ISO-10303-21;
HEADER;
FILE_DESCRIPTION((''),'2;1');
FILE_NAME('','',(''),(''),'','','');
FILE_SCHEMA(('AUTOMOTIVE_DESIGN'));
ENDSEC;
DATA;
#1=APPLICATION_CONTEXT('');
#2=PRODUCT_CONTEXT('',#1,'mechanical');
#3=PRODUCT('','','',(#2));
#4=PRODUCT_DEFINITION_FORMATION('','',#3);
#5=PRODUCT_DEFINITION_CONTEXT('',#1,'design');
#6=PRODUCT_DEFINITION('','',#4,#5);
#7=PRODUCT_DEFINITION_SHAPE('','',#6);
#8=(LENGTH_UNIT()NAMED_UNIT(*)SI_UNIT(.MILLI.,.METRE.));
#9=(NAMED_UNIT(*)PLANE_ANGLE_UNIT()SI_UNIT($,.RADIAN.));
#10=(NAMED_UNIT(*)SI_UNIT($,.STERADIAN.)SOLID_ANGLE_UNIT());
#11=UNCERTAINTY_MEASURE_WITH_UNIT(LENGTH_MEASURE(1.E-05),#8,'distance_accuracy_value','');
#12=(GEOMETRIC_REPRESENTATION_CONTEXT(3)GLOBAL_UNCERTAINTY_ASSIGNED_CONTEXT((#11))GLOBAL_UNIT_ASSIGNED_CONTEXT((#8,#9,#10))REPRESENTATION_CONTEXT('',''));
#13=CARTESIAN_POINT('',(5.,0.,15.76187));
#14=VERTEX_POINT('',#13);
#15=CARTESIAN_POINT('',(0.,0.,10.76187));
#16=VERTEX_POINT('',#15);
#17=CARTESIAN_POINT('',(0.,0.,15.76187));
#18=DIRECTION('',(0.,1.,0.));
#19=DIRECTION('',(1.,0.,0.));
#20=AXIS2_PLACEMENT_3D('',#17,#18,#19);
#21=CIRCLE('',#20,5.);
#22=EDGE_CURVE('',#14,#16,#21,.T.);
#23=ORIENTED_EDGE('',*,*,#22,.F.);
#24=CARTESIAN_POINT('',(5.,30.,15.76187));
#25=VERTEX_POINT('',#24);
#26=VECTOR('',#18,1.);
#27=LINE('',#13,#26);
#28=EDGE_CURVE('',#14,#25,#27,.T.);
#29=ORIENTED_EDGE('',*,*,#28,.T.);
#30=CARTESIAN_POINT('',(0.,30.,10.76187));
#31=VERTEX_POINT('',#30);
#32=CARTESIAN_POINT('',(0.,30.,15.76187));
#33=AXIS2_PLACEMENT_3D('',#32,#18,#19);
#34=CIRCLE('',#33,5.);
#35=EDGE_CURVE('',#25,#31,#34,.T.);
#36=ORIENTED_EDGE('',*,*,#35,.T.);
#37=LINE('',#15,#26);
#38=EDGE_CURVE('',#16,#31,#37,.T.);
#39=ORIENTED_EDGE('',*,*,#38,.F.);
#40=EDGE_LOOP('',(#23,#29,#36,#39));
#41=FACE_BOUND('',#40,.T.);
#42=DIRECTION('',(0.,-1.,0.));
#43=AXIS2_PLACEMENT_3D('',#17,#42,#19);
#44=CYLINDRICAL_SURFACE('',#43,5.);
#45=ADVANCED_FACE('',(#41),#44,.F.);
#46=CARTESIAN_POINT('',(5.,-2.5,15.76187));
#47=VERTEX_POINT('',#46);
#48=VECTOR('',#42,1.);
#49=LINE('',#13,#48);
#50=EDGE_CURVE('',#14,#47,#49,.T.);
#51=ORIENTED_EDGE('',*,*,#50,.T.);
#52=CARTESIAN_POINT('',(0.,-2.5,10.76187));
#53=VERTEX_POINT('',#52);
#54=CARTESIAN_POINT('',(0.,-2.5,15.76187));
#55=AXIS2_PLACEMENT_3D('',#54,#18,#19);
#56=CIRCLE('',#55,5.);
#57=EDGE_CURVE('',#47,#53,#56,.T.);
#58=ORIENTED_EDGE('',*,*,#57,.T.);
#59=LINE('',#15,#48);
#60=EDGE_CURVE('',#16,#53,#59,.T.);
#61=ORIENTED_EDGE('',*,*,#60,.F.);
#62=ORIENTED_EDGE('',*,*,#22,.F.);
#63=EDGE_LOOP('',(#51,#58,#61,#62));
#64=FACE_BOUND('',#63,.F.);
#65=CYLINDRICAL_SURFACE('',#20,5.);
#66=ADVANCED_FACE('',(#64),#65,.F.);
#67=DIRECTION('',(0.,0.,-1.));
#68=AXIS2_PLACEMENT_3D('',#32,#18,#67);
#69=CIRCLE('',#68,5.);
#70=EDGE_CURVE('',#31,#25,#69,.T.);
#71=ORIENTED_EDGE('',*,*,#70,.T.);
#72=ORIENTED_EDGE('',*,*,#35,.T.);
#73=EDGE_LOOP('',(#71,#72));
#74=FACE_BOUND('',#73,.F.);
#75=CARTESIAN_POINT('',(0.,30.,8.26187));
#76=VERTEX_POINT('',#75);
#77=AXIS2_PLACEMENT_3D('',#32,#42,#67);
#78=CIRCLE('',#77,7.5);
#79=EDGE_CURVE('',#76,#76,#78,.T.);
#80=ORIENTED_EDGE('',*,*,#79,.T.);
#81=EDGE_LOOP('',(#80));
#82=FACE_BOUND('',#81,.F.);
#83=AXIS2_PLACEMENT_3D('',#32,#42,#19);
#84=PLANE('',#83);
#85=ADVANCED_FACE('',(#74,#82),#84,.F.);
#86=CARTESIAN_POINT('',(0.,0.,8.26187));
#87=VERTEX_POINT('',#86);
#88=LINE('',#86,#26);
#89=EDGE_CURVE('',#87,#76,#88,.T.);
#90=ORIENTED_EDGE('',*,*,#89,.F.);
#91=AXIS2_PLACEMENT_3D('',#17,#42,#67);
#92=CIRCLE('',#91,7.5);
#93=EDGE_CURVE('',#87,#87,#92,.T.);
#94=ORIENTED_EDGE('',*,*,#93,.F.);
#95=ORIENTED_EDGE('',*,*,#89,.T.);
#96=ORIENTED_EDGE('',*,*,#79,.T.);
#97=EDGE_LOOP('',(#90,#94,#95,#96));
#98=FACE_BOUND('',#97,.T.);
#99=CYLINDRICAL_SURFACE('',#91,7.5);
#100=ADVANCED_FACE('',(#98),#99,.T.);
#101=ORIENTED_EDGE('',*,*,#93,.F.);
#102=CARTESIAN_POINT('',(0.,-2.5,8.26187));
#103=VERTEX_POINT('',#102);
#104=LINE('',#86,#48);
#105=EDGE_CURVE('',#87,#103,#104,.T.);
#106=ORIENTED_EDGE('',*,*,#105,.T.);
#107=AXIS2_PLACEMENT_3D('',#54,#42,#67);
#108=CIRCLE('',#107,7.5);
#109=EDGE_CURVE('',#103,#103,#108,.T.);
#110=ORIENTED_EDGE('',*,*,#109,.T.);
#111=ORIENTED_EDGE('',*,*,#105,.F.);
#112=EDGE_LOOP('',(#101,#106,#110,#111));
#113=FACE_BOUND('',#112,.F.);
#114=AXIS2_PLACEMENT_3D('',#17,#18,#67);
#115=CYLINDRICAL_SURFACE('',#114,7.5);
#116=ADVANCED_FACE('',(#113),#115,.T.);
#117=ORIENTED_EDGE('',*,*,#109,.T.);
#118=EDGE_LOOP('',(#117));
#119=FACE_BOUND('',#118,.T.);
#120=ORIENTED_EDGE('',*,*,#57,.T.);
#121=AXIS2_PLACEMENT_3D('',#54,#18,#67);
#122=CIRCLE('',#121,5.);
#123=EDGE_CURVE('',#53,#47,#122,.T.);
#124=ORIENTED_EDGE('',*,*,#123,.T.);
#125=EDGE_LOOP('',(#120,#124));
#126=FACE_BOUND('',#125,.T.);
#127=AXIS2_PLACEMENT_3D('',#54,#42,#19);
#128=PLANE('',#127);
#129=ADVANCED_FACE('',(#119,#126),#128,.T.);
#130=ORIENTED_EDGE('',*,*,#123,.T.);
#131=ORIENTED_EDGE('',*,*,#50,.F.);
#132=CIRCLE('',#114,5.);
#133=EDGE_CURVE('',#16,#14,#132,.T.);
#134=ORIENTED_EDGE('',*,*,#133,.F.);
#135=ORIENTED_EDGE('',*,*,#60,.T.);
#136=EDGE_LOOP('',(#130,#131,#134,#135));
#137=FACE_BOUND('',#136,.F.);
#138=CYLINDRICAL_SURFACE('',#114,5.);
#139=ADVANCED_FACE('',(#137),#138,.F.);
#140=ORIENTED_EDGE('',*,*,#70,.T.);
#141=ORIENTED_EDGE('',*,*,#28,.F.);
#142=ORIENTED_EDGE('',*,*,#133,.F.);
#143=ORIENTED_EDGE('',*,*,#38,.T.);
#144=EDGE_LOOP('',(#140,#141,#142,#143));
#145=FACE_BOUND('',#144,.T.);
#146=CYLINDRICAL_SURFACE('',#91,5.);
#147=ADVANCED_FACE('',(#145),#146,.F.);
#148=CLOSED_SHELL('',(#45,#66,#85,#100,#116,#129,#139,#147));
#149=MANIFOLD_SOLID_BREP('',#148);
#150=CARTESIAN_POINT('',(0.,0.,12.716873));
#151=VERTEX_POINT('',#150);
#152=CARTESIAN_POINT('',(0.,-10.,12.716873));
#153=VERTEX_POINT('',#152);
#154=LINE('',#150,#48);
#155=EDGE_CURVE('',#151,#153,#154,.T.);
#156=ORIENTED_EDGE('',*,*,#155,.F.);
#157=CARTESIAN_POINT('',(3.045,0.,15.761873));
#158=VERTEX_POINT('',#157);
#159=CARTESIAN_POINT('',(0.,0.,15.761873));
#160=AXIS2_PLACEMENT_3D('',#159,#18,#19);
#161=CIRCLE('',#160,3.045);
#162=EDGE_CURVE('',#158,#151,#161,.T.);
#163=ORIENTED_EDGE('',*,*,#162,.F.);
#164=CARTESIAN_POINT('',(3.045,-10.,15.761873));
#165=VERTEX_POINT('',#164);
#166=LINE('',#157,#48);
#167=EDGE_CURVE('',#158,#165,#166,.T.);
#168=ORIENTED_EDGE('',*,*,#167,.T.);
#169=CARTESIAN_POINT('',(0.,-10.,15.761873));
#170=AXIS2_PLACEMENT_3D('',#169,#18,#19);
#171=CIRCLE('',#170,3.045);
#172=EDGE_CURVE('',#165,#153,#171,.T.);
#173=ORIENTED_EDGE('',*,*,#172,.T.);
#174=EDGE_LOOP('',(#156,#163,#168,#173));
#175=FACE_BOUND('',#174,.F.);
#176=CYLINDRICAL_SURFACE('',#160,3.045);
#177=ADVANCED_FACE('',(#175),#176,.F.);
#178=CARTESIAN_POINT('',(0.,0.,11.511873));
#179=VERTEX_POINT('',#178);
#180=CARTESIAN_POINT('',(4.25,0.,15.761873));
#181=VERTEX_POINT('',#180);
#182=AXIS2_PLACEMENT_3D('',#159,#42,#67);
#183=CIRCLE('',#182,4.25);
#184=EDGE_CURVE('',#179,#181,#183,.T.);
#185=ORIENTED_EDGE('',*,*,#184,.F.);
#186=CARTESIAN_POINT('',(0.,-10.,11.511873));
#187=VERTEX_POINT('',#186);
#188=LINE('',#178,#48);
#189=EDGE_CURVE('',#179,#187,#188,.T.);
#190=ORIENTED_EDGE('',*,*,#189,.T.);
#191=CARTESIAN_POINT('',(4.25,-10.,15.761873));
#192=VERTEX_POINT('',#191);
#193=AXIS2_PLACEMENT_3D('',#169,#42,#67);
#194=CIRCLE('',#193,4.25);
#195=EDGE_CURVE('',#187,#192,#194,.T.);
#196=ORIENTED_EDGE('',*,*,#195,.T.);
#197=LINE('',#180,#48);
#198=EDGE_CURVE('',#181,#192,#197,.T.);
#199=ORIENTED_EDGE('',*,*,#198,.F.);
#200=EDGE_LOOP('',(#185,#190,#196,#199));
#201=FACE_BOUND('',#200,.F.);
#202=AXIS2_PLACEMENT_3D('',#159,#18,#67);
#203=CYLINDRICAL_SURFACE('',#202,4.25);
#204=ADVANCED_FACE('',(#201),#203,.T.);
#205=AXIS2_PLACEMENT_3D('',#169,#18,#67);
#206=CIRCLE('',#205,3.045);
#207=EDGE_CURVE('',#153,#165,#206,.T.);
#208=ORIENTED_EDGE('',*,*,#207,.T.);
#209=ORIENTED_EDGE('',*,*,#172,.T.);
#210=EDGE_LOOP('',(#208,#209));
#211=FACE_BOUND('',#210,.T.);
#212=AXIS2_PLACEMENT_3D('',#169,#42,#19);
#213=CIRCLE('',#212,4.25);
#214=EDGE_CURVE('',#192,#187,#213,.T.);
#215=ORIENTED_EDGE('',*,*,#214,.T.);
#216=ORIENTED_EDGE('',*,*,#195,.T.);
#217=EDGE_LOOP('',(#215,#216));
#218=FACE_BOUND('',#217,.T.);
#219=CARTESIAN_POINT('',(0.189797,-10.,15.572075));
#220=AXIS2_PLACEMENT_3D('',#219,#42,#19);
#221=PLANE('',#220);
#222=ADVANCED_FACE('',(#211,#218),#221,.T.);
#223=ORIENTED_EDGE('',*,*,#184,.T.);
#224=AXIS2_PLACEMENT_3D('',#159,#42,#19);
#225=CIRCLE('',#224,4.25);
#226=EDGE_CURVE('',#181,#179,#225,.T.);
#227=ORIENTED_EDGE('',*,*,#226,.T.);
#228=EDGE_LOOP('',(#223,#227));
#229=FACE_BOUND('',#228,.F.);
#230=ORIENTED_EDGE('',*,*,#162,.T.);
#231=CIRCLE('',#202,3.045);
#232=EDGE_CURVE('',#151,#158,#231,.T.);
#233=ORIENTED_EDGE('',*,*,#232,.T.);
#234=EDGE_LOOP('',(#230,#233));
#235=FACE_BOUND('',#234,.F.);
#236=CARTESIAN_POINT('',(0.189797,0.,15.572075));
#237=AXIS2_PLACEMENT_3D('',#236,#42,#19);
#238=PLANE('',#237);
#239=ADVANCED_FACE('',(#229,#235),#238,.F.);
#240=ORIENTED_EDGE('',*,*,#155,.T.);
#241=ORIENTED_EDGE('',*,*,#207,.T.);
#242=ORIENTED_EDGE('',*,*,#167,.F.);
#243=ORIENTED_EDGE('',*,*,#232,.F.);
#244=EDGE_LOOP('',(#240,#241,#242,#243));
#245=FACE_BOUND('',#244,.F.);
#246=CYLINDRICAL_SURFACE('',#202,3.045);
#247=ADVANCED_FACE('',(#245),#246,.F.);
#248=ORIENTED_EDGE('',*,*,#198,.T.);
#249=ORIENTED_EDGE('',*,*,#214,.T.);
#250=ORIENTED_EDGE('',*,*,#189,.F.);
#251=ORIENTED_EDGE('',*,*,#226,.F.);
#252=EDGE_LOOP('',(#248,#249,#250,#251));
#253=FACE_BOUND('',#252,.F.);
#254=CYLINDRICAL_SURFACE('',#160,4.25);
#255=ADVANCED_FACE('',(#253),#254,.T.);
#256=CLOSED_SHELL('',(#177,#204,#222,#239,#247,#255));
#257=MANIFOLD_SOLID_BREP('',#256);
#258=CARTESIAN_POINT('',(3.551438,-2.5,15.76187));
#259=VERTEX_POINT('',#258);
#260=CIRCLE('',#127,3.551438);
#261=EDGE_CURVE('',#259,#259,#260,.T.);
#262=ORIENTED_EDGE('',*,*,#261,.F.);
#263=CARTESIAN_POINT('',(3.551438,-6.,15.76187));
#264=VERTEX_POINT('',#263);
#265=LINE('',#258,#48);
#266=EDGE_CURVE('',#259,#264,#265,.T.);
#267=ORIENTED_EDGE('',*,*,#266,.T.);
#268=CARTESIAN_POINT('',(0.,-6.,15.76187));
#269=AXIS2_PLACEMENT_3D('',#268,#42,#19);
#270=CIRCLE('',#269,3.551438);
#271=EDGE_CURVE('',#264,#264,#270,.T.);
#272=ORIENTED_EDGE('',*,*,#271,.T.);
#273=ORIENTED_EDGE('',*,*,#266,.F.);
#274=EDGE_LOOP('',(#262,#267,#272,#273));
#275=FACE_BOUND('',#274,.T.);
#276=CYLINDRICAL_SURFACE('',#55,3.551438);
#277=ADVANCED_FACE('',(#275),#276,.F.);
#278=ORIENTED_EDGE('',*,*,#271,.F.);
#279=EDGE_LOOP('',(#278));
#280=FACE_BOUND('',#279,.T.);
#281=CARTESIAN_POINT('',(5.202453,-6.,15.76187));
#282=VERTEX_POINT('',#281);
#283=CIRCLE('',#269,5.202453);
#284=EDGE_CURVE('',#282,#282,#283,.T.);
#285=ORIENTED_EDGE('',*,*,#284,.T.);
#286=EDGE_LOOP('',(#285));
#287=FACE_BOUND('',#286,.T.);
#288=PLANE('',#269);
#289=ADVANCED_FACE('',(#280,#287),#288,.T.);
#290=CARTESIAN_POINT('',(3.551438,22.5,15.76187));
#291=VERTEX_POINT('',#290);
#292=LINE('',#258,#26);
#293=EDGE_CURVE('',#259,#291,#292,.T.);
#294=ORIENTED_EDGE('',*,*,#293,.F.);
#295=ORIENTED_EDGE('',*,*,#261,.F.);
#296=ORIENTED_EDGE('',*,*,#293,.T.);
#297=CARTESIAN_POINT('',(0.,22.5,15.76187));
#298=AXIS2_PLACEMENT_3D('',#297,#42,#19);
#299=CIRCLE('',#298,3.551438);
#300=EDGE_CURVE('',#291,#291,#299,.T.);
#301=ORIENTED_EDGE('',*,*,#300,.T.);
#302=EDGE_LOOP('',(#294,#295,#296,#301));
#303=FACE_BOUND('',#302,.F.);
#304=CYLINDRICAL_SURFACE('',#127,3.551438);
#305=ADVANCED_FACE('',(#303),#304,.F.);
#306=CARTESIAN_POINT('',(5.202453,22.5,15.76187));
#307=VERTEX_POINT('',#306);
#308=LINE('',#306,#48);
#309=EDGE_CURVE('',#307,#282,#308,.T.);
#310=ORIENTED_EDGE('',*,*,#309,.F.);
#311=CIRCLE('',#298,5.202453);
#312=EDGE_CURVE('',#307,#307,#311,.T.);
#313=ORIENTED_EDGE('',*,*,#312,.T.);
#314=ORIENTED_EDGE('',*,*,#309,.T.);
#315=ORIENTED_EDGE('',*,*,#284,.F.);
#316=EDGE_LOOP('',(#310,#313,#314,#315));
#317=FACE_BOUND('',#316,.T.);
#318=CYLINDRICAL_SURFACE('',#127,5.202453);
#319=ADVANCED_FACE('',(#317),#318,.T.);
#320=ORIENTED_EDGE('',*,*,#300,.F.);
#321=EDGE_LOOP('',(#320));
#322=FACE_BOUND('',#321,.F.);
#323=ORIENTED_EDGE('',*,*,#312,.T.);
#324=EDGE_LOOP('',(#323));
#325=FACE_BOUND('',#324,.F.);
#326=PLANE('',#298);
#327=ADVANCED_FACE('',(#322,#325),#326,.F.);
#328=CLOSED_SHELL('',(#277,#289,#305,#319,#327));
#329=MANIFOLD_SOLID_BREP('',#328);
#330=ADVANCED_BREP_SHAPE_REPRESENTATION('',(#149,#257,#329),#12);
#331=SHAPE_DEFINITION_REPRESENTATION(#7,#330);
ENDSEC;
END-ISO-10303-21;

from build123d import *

# Parameters (mm, degrees)
F1_DEPTH      = 10
F3_DEPTH      = 30
F3_DEPTH_BACK = 2.5
F4_R          = 5.2024526328
F4_R_2        = 3.55143811
F5_DEPTH      = 3.5
F5_DEPTH_BACK = 25


with BuildPart() as f1:
    # F0 (on Front) → F1 (new body)
    with BuildSketch(Plane.XZ):
        with BuildLine():
            ThreePointArc((4.25, 15.7618727535), (-3.00520382, 18.7670765735), (0, 11.5118727535))
            ThreePointArc((0, 11.5118727535), (3.00520382, 12.7566689335), (4.25, 15.7618727535))
        make_face()
        with BuildLine():
            ThreePointArc((0, 12.7168727535), (-2.1531401487, 17.9150129022), (3.045, 15.7618727535))
            ThreePointArc((3.045, 15.7618727535), (2.1531401487, 13.6087326048), (0, 12.7168727535))
        make_face(mode=Mode.SUBTRACT)
    extrude(amount=F1_DEPTH)


with BuildPart() as f3:
    # F2 (on Front) → F3 (new body, two sides)
    with BuildSketch(Plane.XZ) as f3_sk:
        with BuildLine():
            ThreePointArc((7.5, 15.76187), (-5.3033008589, 21.0651708589), (0, 8.26187))
            ThreePointArc((0, 8.26187), (5.3033008589, 10.4585691411), (7.5, 15.76187))
        make_face()
        with BuildLine():
            ThreePointArc((5, 15.76187), (3.5355339059, 12.2263360941), (0, 10.76187))
            ThreePointArc((0, 10.76187), (-3.5355339059, 19.2974039059), (5, 15.76187))
        make_face(mode=Mode.SUBTRACT)
    extrude(amount=-F3_DEPTH)
    extrude(f3_sk.sketch, amount=F3_DEPTH_BACK)


with BuildPart() as f5:
    # F4 (on face) → F5 (new body, two sides)
    with BuildSketch(Plane.XZ.offset(2.5)) as f5_sk:
        with Locations((0, 15.76187)):
            Circle(F4_R)
        with Locations((0, 15.76187)):
            Circle(F4_R_2, mode=Mode.SUBTRACT)
    extrude(amount=F5_DEPTH)
    extrude(f5_sk.sketch, amount=-F5_DEPTH_BACK)


solid = Compound([f1.part, f3.part, f5.part])
